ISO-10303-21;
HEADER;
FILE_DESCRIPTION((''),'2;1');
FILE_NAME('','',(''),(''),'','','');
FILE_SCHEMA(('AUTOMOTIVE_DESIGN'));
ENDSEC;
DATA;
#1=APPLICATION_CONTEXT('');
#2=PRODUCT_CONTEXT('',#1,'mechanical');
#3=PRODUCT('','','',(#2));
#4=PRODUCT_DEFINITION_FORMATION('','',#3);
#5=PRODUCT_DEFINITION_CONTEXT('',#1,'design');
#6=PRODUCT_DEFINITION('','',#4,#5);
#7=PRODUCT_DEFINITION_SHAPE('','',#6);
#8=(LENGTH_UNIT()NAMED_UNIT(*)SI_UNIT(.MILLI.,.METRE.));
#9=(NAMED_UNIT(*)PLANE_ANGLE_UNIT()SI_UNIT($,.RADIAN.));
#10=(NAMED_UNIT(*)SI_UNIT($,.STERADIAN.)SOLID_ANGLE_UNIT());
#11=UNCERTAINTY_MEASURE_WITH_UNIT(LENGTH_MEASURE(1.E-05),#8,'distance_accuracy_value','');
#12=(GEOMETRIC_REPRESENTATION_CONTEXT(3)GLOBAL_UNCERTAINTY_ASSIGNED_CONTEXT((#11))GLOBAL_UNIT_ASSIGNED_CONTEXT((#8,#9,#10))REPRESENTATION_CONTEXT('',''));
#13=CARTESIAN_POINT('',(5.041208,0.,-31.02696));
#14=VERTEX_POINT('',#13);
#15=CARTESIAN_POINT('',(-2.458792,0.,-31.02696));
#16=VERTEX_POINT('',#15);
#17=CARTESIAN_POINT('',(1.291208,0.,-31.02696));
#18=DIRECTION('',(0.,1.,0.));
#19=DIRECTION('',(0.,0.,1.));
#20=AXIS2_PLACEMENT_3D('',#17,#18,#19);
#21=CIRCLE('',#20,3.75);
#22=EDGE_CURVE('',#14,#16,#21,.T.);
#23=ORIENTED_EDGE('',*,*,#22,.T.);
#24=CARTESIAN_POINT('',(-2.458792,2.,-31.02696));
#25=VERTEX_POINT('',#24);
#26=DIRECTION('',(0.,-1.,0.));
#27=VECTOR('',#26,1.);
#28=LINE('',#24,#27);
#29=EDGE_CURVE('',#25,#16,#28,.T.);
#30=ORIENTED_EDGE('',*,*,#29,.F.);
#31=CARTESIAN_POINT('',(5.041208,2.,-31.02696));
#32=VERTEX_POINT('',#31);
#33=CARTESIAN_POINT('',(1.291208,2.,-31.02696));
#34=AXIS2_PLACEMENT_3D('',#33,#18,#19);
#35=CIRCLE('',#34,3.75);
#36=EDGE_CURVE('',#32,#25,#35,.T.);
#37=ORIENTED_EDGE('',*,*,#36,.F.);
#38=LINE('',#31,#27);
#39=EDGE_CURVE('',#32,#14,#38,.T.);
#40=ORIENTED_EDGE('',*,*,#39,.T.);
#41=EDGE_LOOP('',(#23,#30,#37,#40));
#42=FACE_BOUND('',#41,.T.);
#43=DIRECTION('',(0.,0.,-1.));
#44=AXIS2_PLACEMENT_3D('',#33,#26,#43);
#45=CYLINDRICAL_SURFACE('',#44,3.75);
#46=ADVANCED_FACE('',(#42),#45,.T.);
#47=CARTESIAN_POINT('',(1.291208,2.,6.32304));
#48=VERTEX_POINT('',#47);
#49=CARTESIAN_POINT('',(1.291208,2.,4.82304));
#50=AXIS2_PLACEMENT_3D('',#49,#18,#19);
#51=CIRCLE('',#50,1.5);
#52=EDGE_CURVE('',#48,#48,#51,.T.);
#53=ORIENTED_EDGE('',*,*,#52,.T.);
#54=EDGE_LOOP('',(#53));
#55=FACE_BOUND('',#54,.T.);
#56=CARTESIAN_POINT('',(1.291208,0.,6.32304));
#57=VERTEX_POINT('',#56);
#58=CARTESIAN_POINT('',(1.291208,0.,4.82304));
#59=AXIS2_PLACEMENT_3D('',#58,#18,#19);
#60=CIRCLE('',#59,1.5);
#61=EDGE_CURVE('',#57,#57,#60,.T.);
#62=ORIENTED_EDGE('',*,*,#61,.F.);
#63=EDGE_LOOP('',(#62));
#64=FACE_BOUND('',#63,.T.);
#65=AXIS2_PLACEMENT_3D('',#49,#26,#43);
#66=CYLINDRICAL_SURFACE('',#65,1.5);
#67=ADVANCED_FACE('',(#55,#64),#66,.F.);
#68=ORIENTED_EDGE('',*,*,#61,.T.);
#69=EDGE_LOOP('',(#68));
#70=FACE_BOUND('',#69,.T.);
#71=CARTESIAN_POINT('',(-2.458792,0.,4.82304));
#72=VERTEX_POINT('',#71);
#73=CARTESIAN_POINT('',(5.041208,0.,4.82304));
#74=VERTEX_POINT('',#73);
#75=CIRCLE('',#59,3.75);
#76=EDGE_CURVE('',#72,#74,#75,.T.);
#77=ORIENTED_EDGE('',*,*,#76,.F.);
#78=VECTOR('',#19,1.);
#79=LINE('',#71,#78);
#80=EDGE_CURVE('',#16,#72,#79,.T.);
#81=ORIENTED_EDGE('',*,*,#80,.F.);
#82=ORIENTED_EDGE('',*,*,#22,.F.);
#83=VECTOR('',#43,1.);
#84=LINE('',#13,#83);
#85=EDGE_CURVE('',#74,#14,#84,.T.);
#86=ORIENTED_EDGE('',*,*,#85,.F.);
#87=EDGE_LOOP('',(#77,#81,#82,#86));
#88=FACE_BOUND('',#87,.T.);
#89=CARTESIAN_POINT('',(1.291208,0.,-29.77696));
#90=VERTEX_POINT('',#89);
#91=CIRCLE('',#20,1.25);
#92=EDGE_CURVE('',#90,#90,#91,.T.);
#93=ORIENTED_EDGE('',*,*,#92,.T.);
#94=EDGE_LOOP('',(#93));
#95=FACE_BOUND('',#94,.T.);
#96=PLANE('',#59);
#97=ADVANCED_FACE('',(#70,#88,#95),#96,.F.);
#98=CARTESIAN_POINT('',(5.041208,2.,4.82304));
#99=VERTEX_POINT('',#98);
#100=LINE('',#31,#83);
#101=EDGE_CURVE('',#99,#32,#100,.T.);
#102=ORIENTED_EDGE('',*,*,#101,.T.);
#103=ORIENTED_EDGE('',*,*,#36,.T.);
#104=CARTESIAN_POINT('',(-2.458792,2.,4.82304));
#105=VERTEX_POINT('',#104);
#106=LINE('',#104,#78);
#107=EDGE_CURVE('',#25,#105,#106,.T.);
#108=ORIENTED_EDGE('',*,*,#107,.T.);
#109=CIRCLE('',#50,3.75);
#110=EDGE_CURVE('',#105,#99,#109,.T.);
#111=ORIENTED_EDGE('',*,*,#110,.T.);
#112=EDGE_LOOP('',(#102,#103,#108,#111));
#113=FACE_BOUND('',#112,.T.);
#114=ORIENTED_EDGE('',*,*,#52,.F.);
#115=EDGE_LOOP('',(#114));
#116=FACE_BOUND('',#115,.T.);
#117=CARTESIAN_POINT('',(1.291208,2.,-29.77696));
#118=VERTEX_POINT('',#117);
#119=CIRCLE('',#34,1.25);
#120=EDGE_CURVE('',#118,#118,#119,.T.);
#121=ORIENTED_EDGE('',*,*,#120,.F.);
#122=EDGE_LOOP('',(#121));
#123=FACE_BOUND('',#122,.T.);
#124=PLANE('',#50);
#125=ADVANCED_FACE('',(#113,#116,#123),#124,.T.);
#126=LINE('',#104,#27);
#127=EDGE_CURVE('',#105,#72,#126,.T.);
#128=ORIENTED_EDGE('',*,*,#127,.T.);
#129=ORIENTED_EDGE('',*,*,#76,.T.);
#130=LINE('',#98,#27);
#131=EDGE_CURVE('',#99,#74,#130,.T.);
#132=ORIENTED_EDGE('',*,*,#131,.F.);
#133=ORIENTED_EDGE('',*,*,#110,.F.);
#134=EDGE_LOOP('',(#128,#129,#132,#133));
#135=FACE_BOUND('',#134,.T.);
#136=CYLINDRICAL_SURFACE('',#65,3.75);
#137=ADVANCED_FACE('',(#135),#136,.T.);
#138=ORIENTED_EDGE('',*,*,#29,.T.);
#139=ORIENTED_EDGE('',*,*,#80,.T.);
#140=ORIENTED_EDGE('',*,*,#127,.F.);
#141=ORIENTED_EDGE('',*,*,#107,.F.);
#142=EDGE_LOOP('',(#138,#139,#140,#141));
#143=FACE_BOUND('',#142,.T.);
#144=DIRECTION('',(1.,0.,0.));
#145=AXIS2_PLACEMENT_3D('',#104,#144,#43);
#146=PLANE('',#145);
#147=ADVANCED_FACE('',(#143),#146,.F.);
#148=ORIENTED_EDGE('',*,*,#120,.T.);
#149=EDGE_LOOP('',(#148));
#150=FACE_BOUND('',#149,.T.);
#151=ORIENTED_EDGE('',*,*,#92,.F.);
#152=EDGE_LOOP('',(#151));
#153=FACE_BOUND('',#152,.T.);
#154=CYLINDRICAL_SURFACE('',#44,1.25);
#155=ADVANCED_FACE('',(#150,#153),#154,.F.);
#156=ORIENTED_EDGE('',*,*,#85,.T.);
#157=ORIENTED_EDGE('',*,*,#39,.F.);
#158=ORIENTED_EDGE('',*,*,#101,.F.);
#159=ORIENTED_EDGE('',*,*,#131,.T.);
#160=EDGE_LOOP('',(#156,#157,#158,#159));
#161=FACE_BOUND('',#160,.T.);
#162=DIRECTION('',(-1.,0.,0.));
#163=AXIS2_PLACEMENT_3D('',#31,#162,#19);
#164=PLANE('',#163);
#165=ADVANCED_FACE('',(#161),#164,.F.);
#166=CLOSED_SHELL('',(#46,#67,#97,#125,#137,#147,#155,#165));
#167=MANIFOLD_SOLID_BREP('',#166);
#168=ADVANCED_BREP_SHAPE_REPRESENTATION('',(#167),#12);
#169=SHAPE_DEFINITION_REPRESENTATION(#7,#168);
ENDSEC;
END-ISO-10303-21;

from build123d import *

# Parameters (mm, degrees)
SKETCH1_R           = 1.25
SKETCH1_R_2         = 1.5
BOSS_EXTRUDE1_DEPTH = 2


with BuildPart() as part:
    # Sketch1 → Boss-Extrude1 (new body)
    with BuildSketch(Plane(origin=(0, 0, 0), x_dir=(1, 0, 0), z_dir=(0, 1, 0))):
        with BuildLine():
            Line((-2.458792373, -4.823040254), (-2.458792373, 31.026959746))
            ThreePointArc((-2.458792373, 31.026959746), (1.291207627, 34.776959746), (5.041207627, 31.026959746))
            Line((5.041207627, 31.026959746), (5.041207627, -4.823040254))
            ThreePointArc((5.041207627, -4.823040254), (1.291207627, -8.573040254), (-2.458792373, -4.823040254))
        make_face()
        with Locations(Location((1.291207627, 31.026959746, 0), (0, 0, 270))):
            Circle(SKETCH1_R, mode=Mode.SUBTRACT)
        with Locations(Location((1.291207627, -4.823040254, 0), (0, 0, 270))):
            Circle(SKETCH1_R_2, mode=Mode.SUBTRACT)
    extrude(amount=BOSS_EXTRUDE1_DEPTH)


solid = part.part
